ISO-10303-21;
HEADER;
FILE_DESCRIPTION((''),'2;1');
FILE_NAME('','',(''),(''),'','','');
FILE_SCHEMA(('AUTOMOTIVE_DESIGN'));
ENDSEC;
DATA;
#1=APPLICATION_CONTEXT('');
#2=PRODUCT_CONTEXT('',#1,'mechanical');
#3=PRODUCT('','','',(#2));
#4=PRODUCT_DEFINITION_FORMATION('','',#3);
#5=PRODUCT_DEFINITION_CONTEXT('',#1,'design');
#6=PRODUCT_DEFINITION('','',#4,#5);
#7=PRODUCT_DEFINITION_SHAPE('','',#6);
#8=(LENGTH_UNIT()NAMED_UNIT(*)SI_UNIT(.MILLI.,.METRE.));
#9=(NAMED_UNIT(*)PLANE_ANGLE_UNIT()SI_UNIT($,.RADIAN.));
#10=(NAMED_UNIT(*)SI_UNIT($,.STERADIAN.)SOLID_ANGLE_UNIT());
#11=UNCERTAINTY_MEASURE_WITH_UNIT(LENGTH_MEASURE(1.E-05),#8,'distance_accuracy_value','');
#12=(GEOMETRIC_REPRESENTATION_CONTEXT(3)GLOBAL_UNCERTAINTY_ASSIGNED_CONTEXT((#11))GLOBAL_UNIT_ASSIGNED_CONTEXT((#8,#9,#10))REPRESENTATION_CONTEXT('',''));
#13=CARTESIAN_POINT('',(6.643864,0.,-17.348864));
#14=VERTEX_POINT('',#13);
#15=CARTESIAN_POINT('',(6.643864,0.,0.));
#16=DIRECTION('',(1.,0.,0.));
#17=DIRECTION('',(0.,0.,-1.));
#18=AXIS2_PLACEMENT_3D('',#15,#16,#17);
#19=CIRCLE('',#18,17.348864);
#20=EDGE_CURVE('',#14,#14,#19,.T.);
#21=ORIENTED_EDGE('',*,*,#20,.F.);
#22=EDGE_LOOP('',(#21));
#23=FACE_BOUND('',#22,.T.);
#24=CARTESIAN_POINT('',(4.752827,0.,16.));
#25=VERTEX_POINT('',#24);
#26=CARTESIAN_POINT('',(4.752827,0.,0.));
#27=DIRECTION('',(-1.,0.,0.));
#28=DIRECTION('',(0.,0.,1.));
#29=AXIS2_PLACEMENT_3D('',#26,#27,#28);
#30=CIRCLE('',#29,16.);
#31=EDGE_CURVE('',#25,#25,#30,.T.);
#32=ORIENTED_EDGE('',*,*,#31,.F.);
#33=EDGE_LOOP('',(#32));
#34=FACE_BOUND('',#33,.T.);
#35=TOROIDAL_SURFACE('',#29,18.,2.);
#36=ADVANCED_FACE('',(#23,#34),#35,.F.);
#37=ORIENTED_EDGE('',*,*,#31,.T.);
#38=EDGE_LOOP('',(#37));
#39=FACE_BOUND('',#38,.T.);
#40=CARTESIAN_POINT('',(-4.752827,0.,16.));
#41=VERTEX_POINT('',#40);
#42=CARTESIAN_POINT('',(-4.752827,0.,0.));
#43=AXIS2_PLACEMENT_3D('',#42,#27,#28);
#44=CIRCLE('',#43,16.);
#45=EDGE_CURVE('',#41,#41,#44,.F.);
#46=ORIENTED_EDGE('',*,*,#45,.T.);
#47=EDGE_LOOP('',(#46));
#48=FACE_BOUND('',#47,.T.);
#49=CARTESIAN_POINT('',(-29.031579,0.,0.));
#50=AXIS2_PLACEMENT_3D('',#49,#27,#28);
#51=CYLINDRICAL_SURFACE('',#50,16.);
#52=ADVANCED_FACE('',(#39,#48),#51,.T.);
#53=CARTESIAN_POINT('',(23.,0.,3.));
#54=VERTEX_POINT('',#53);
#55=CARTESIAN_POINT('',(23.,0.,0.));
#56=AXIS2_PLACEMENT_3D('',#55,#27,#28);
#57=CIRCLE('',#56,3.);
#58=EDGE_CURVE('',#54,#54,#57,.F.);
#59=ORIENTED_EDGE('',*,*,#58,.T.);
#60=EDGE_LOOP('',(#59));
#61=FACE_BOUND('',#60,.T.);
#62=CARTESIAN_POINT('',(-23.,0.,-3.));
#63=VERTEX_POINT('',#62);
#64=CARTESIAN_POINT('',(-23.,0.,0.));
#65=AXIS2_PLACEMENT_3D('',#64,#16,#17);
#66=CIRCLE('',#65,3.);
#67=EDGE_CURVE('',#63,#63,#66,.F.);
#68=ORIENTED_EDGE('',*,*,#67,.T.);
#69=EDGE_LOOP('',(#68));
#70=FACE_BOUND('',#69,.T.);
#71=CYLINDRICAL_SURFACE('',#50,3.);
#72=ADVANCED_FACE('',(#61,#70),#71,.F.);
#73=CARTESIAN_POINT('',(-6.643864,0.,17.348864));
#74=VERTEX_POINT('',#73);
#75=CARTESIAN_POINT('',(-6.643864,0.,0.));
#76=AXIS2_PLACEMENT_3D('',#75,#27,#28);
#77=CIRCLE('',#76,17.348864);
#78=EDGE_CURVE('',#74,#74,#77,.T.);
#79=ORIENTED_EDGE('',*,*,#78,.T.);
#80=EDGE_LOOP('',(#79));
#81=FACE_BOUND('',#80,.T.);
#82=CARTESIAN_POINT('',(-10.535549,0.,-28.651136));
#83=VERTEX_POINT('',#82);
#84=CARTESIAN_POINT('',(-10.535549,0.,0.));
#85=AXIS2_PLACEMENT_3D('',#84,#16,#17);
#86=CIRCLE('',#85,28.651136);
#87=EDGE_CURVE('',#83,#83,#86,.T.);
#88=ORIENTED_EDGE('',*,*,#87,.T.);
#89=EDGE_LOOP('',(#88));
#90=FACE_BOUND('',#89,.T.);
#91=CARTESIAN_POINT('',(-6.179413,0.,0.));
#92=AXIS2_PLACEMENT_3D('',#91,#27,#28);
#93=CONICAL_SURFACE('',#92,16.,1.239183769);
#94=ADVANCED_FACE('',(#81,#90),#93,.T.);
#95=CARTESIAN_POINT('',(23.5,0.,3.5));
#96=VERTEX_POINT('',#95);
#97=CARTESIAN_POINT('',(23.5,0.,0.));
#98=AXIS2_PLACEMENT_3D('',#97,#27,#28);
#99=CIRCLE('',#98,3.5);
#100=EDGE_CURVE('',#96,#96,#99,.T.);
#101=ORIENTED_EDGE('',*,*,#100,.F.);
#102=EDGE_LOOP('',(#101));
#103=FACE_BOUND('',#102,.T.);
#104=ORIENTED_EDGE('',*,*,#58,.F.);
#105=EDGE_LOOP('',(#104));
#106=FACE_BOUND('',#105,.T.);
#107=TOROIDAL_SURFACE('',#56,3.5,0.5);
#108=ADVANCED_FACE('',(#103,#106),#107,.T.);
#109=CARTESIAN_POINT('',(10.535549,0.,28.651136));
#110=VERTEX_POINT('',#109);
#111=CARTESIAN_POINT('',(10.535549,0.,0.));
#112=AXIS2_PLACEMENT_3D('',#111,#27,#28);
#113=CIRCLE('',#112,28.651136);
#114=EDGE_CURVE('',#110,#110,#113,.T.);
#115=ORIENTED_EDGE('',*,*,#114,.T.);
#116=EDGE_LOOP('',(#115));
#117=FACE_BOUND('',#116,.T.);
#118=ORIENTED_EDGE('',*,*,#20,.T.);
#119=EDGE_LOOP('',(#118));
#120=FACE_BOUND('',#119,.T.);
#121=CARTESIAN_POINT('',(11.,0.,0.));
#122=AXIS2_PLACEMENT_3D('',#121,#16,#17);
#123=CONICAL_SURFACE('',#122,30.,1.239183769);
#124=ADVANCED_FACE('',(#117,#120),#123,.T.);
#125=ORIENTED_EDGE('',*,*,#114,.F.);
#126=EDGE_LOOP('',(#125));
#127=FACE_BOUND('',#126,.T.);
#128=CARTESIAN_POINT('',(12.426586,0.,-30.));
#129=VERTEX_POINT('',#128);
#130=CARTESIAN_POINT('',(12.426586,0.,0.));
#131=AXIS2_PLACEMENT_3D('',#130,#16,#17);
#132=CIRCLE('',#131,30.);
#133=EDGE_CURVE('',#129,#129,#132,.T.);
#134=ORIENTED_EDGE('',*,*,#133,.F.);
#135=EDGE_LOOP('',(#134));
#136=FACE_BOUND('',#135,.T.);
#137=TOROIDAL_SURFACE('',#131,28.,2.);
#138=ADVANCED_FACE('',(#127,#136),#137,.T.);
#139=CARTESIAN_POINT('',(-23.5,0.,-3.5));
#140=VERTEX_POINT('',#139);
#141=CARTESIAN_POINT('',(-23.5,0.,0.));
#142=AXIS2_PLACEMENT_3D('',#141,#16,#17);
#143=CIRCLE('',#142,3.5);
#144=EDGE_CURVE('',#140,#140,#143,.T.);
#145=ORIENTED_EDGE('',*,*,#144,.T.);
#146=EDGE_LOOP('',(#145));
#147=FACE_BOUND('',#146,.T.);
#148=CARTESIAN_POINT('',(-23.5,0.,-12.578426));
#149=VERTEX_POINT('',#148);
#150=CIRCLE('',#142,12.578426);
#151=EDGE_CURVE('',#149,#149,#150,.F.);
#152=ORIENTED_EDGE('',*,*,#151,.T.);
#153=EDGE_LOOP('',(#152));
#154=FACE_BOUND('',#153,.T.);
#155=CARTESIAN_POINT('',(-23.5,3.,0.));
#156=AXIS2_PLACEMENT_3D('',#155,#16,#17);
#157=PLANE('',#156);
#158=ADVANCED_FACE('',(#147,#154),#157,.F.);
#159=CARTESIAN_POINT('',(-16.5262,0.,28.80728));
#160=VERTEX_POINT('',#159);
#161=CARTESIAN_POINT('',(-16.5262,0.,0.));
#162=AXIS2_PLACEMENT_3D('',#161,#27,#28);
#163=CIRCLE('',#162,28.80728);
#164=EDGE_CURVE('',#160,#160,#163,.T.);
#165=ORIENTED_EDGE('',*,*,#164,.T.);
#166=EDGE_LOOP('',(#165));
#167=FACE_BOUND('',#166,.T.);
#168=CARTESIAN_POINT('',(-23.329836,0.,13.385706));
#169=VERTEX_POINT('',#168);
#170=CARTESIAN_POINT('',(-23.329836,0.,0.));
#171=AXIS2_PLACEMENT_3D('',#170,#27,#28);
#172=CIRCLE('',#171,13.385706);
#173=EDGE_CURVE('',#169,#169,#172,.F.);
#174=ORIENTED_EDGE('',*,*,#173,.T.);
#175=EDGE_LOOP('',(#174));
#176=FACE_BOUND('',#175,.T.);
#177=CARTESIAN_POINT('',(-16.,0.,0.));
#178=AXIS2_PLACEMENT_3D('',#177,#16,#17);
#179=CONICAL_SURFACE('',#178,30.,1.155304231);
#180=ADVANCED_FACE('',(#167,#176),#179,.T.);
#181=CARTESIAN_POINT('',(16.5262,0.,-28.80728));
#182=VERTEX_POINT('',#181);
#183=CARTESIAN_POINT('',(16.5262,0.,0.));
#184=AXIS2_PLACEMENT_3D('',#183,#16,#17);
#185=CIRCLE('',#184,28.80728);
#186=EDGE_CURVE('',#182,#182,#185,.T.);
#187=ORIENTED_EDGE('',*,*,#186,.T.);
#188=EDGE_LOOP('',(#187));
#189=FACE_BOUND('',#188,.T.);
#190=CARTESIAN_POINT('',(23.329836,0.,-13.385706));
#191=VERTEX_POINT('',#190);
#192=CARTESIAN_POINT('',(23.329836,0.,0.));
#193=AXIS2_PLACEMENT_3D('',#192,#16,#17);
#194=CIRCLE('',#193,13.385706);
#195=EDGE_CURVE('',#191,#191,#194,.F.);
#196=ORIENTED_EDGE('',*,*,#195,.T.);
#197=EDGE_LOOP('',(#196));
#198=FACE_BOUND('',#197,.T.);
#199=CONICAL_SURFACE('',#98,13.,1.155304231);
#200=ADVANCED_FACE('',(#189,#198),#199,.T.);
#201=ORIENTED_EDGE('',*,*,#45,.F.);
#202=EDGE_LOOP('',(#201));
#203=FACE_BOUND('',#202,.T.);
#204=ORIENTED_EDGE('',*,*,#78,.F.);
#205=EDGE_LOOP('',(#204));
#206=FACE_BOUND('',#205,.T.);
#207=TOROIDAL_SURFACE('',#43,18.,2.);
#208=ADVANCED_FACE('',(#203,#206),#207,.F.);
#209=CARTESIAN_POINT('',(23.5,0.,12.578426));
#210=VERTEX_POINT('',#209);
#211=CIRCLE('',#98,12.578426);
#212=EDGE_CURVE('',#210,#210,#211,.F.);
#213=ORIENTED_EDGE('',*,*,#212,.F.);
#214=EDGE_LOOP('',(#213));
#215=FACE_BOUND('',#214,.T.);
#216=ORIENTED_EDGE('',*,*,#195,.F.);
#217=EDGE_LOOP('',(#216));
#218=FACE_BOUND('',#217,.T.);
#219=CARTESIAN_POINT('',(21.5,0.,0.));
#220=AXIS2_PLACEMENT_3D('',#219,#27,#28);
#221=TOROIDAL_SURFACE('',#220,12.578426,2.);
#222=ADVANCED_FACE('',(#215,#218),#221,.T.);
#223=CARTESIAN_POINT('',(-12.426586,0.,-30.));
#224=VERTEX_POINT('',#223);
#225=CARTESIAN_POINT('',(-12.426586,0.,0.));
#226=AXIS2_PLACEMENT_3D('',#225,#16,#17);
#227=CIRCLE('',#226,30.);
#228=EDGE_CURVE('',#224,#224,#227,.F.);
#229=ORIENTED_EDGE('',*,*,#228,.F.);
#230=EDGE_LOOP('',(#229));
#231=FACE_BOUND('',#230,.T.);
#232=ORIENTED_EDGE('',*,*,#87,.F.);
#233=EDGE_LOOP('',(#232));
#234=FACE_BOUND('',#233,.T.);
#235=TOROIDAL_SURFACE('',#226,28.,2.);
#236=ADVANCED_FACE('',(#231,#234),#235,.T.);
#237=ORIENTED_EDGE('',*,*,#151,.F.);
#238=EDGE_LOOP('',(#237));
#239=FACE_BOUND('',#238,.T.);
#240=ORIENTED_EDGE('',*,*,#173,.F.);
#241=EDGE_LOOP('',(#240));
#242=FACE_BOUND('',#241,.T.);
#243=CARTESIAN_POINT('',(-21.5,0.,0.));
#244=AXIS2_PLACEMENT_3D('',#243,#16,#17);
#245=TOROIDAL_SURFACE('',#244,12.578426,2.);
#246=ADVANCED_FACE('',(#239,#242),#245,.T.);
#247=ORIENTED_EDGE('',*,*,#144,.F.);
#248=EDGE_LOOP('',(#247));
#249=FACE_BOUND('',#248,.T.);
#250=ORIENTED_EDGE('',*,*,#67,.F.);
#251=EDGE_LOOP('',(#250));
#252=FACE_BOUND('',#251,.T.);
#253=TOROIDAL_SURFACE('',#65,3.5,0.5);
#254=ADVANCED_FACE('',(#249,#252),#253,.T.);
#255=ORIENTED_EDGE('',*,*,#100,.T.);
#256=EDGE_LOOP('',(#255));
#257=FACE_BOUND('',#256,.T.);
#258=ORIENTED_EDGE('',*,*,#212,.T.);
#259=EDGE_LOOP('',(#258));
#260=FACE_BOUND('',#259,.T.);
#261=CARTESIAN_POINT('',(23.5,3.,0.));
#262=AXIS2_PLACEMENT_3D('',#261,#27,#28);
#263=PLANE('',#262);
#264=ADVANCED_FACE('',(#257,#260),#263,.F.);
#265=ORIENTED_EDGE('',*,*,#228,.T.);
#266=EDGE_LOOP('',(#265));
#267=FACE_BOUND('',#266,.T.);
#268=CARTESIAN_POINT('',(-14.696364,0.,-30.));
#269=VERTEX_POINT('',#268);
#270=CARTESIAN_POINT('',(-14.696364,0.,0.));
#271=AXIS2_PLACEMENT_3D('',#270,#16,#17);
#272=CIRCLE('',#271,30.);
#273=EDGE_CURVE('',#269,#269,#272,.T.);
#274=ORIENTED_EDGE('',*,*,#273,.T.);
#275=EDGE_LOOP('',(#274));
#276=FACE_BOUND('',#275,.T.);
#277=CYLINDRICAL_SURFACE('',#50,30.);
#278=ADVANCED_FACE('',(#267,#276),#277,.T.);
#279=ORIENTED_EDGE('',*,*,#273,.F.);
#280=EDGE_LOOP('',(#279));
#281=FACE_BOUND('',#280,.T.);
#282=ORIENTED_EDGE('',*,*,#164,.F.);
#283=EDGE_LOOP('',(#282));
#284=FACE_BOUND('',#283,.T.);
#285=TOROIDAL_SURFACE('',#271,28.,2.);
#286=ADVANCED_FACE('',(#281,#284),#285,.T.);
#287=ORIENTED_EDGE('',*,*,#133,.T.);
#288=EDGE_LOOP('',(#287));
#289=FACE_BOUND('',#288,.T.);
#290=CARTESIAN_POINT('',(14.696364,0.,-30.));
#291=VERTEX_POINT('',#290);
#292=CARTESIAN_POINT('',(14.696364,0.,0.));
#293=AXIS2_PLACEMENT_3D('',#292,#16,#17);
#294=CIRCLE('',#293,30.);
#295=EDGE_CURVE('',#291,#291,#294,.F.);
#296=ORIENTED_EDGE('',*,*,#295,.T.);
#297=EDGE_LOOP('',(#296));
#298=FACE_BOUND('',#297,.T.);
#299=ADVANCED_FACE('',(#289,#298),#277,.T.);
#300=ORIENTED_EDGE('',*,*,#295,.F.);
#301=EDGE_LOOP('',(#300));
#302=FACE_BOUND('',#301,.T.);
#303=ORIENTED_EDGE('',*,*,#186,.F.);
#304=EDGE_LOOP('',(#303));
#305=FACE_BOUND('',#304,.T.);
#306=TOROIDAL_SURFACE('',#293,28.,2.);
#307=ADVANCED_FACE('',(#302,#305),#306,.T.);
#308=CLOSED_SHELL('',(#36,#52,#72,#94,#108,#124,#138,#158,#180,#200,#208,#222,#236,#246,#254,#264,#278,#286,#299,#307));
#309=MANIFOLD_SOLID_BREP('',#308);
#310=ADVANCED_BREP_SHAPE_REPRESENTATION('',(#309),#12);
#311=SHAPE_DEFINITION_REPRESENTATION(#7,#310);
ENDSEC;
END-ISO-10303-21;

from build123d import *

# Parameters (mm, degrees)
REDONDEO2_R = 2
REDONDEO3_R = 0.5


with BuildPart() as part:
    # Croquis1 → Revolución1 (revolve)
    with BuildSketch(Plane.XY, mode=Mode.PRIVATE) as revoluci_n1_sk:
        Polygon((-16, 30), (-11, 30), (-6.179413414, 16), (0, 16), (6.179413414, 16), (11, 30), (16, 30), (23.5, 13), (23.5, 3), (-23.5, 3), (-23.5, 13), align=None)
    revolve(revoluci_n1_sk.sketch.rotate(Axis((-29.031578947, 0, 0), (1, 0, 0)), 90), axis=Axis((-29.031578947, 0, 0), (1, 0, 0)))

    # Redondeo2
    redondeo2_edges = [part.edges().sort_by_distance(p)[0] for p in [
        (-16, 0, -30),
        (-23.5, 0, -13),
        (23.5, 0, -13),
        (16, 0, -30),
        (11, 0, -30),
        (6.179413414, 0, -16),
        (-6.179413414, 0, -16),
        (-11, 0, -30),
    ]]
    fillet(redondeo2_edges, radius=REDONDEO2_R)

    # Redondeo3
    redondeo3_edges = [part.edges().sort_by_distance(p)[0] for p in [
        (-23.5, 0, -3),
        (23.5, 0, -3),
    ]]
    fillet(redondeo3_edges, radius=REDONDEO3_R)


solid = part.part
